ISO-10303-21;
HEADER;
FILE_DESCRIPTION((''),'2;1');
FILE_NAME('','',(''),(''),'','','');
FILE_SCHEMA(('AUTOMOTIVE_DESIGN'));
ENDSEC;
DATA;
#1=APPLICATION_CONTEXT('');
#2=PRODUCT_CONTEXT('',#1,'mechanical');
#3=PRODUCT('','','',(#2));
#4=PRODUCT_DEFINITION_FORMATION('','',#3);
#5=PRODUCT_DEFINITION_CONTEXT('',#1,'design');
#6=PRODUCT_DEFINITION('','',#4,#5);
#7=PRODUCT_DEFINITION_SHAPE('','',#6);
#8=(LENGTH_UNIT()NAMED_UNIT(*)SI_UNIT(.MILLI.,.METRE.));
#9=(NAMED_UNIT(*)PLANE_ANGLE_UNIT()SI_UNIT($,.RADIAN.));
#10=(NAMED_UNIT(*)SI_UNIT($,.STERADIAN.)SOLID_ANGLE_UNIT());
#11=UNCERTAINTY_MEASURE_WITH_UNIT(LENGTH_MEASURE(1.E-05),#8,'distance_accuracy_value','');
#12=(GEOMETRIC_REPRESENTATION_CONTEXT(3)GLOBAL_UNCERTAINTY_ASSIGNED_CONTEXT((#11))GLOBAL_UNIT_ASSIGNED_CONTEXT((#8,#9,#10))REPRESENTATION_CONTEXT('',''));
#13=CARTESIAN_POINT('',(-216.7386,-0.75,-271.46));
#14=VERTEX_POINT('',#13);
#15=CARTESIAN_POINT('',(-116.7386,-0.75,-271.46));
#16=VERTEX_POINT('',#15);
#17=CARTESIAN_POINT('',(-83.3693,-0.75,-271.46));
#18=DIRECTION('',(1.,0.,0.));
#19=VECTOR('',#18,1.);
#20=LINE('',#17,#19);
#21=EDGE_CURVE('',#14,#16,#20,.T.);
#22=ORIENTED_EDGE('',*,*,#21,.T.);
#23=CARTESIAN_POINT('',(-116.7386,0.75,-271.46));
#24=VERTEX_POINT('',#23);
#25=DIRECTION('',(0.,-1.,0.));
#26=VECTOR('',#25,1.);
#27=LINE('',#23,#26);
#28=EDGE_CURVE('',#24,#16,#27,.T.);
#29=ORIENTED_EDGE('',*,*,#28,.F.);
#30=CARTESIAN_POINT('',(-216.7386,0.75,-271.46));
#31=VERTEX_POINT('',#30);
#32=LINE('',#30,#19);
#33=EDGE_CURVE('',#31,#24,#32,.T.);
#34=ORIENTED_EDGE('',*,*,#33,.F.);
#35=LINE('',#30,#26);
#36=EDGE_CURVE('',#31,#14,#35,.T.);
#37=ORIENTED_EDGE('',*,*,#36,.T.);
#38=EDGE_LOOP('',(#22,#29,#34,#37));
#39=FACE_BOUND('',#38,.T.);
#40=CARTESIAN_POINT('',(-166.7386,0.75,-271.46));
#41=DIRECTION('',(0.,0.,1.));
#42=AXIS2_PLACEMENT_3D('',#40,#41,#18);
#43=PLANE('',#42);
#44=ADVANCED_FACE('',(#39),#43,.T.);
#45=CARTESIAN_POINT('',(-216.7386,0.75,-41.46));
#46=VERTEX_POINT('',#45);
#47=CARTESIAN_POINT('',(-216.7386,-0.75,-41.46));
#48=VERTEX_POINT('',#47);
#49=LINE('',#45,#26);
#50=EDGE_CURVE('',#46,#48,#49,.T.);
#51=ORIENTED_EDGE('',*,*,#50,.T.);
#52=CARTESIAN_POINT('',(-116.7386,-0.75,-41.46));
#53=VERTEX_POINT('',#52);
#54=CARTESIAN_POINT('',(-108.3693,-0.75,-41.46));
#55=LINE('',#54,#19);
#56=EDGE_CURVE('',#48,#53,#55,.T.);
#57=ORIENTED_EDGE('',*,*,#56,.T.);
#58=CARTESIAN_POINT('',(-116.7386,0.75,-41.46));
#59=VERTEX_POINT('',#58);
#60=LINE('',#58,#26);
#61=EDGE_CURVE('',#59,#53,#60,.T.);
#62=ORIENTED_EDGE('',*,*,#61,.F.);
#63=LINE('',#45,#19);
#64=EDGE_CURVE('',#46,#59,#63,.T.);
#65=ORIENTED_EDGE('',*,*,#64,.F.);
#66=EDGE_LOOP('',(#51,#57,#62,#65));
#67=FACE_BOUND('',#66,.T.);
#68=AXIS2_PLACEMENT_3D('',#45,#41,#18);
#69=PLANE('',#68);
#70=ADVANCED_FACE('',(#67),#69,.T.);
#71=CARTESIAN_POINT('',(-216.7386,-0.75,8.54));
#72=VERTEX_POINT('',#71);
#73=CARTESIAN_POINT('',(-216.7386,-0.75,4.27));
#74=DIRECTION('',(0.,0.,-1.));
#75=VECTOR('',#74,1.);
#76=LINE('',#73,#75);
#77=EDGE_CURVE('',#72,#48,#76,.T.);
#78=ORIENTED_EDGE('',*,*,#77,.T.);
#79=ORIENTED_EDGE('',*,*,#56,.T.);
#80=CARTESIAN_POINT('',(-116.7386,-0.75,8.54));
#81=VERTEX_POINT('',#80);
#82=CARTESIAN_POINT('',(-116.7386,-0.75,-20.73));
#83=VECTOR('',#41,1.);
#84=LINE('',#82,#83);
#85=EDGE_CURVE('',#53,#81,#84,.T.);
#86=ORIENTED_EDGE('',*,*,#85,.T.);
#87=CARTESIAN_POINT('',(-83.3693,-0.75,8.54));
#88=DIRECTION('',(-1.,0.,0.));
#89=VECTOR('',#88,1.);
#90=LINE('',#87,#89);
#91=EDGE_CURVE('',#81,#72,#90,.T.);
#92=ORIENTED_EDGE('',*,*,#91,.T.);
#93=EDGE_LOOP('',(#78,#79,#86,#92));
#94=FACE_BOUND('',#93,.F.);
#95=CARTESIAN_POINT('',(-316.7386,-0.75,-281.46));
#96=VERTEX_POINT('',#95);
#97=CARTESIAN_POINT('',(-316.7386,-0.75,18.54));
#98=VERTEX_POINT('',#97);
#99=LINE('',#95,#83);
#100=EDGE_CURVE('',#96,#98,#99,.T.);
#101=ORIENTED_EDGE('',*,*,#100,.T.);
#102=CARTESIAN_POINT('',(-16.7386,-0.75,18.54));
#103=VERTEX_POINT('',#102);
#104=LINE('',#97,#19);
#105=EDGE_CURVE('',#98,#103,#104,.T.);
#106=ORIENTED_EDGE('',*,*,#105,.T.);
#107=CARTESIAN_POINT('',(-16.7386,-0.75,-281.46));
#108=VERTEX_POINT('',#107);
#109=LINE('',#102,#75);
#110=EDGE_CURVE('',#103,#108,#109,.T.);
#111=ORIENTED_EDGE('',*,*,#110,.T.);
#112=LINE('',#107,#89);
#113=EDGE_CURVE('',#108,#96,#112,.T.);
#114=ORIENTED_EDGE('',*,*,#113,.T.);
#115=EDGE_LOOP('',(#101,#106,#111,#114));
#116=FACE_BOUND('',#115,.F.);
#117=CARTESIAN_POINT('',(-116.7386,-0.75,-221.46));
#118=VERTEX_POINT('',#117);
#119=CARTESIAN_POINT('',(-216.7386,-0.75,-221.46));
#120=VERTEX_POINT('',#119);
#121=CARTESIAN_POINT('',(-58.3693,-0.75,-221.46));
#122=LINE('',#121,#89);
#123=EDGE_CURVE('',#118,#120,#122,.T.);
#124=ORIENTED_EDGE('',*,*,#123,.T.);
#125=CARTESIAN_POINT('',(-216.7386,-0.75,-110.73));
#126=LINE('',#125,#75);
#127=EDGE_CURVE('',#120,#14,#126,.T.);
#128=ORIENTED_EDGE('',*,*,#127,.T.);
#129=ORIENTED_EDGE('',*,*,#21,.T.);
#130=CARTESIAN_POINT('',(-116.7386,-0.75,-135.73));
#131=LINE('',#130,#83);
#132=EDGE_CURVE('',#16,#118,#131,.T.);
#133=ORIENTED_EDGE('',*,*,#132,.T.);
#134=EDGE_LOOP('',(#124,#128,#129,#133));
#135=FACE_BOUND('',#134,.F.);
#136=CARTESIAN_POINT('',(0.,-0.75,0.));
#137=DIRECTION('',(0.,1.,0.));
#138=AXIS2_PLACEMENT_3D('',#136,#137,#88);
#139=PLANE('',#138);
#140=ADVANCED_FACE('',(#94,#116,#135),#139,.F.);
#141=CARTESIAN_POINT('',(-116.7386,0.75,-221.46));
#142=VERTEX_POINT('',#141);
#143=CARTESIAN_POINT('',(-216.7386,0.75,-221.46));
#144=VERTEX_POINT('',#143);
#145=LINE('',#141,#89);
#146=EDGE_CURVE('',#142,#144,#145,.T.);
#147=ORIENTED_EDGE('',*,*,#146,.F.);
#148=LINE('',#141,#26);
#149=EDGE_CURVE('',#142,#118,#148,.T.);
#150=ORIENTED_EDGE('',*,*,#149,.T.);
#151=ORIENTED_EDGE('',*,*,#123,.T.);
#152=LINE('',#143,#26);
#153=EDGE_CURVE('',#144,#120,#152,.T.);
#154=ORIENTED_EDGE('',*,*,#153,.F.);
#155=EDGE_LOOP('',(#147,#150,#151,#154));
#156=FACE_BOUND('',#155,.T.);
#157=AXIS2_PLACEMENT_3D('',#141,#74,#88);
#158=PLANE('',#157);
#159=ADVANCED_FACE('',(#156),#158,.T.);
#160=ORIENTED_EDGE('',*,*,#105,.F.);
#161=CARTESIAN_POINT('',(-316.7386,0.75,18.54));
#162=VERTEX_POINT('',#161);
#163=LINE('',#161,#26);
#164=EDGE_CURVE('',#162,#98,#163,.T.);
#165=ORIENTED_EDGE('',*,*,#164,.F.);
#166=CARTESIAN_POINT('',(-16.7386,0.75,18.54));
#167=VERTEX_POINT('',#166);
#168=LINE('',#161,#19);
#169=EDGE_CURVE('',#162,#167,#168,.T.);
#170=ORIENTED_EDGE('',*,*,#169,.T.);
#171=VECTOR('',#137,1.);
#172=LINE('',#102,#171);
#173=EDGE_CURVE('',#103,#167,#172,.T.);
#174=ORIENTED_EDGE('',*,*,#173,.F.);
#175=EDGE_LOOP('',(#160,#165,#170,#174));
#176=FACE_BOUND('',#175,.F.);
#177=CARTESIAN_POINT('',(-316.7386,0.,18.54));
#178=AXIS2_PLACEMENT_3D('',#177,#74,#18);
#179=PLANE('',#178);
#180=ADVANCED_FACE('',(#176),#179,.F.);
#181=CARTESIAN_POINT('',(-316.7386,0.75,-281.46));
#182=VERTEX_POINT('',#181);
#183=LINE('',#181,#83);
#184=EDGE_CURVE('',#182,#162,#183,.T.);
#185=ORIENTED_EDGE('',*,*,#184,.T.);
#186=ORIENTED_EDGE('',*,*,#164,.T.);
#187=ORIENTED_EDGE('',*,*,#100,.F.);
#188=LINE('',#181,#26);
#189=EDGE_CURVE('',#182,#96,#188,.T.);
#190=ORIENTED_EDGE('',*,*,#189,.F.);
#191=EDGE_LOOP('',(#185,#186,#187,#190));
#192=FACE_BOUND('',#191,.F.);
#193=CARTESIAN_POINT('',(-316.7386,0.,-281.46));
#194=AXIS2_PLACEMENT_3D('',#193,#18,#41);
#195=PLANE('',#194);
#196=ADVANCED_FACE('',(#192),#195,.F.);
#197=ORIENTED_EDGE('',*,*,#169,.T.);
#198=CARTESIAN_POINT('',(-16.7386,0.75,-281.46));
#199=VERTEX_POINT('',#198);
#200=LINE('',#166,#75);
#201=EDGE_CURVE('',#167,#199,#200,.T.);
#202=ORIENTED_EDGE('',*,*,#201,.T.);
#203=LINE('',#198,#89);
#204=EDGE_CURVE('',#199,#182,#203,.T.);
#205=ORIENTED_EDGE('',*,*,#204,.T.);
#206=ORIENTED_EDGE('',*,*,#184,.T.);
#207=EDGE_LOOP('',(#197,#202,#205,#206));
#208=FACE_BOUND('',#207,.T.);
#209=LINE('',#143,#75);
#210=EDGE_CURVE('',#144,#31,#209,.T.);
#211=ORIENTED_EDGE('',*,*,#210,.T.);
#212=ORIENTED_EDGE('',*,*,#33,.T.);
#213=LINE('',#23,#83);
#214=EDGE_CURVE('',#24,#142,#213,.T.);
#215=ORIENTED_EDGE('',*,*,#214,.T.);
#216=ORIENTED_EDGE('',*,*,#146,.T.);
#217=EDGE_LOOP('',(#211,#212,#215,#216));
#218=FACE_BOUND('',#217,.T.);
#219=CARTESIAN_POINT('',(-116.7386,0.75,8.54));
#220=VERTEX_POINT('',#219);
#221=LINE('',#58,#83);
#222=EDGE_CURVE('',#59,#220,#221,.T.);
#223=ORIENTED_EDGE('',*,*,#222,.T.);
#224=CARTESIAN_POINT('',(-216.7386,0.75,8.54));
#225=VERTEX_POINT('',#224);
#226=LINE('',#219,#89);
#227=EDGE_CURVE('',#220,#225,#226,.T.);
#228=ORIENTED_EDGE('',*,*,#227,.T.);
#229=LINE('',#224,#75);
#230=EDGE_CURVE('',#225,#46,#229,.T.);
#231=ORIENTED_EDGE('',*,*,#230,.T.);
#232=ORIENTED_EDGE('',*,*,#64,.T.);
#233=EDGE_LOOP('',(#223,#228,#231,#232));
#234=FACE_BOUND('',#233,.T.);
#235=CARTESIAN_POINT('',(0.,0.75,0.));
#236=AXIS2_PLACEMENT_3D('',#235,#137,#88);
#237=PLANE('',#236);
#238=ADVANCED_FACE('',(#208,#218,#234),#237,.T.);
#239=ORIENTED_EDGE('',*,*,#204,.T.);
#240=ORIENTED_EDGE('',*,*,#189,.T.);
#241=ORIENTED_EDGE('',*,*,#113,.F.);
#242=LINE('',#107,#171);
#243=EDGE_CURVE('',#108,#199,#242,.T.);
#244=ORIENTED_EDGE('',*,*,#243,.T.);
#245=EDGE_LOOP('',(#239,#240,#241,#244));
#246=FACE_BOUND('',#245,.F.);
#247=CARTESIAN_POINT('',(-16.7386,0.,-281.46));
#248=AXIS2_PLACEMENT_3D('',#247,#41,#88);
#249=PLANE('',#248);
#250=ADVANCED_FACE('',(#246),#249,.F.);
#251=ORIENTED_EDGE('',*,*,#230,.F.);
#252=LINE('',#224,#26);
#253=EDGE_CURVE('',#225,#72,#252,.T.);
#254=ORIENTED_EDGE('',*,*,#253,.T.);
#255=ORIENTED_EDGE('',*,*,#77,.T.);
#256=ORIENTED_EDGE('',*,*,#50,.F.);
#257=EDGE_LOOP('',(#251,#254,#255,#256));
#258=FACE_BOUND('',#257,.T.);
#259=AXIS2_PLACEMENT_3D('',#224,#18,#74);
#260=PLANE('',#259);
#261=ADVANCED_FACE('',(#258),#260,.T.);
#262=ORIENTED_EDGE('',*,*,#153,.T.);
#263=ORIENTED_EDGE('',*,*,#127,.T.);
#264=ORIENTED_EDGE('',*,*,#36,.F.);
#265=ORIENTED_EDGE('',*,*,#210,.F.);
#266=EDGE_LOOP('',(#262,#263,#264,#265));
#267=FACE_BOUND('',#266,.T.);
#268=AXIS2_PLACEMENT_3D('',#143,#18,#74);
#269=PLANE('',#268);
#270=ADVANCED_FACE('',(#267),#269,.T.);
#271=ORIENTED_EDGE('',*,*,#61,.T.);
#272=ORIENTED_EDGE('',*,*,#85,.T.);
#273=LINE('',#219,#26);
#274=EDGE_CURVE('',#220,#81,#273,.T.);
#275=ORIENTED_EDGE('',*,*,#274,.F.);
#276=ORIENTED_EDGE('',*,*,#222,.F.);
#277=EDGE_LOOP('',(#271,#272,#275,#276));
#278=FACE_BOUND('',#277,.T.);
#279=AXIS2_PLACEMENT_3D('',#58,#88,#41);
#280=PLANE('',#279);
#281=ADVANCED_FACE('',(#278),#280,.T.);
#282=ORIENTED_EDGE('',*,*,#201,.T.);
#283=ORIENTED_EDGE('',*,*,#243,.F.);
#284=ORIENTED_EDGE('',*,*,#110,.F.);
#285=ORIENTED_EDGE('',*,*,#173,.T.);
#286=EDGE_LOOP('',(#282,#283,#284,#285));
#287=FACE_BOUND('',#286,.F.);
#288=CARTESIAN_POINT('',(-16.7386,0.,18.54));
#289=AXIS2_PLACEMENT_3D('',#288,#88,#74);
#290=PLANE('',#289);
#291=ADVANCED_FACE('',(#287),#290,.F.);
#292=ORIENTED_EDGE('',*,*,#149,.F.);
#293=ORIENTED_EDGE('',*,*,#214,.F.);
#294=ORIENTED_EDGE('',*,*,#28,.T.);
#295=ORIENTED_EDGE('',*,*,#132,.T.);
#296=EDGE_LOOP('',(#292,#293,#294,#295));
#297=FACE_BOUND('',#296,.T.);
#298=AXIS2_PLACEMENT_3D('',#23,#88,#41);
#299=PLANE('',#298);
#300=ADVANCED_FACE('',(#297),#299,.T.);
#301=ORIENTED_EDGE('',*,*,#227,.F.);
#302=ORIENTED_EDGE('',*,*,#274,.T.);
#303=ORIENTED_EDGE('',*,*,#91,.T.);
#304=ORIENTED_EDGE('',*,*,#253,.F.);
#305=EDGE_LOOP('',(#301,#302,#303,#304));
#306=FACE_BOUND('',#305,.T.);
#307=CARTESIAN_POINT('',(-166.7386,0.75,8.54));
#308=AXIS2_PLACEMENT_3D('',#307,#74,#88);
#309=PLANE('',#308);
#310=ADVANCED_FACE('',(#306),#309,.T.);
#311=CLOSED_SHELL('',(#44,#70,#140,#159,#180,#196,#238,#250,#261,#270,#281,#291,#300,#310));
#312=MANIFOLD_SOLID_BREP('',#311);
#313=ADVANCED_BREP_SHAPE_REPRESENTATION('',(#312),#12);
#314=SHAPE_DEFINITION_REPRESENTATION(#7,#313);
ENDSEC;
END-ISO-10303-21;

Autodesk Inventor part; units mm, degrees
ref_plane "YZ Plane" through (0, 0, 0) normal (1, 0, 0) x (0, 1, 0)
ref_plane "XZ Plane" through (0, 0, 0) normal (0, 1, 0) x (-1, 0, 0)
ref_plane "XY Plane" through (0, 0, 0) normal (0, 0, 1) x (1, 0, 0)
sketch "Boceto1" plane through (0, 0, 0) normal (0, 1, 0) x (-1, 0, 0)
  line L0 (16.7386, 18.54) -> (16.7386, -281.46)
  line L1 (16.7386, -281.46) -> (316.7386, -281.46)
  line L2 (316.7386, -281.46) -> (316.7386, 18.54)
  line L3 (316.7386, 18.54) -> (16.7386, 18.54)
  point P0 (0, 0)
  dimension "d2" = 300
  dimension "d3" = 300
extrude "Extrusión1" add sketch "Boceto1" along normal mid plane 1.5
sketch "Boceto2" plane through (0, 0.75, 0) normal (0, 1, 0) x (1, 0, 0)
  line L0 (-316.7386, -18.54) -> (-16.7386, -18.54) projected
  line L1 (-16.7386, 281.46) -> (-316.7386, 281.46) projected
  line L2 (-316.7386, 281.46) -> (-316.7386, -18.54) projected
  line L3 (-316.7386, 131.46) -> (-16.7386, 131.46)
  line L4 (-16.7386, -18.54) -> (-16.7386, 281.46) projected
  line L5 (-166.7386, -18.54) -> (-166.7386, -8.54)
  line L6 (-166.7386, 281.46) -> (-166.7386, 271.46)
  line L7 (-166.7386, 271.46) -> (-116.7386, 271.46)
  line L8 (-116.7386, 271.46) -> (-116.7386, 221.46)
  line L9 (-116.7386, 221.46) -> (-166.7386, 221.46)
  line L10 (-166.7386, 221.46) -> (-216.7386, 221.46)
  line L11 (-216.7386, 221.46) -> (-216.7386, 271.46)
  line L12 (-216.7386, 271.46) -> (-166.7386, 271.46)
  line L13 (-166.7386, -8.54) -> (-216.7386, -8.54)
  line L14 (-216.7386, -8.54) -> (-216.7386, 41.46)
  line L15 (-216.7386, 41.46) -> (-166.7386, 41.46)
  line L16 (-116.7386, 41.46) -> (-166.7386, 41.46)
  line L17 (-116.7386, -8.54) -> (-166.7386, -8.54)
  line L18 (-116.7386, 41.46) -> (-116.7386, -8.54)
  line L19 (-166.7386, -18.54) -> (-166.7386, -8.54)
  line L20 (-166.7386, 271.46) -> (-166.7386, 281.46)
  point P0 (0, 0)
  dimension "d6" = 10
  dimension "d7" = 10
  dimension "d8" = 50
  dimension "d9" = 50
  dimension "d10" = 50
  dimension "d11" = 50
  dimension "d12" = 50
extrude "Extrusión2" cut sketch "Boceto2" against normal blind 4 contours L13 L14 L15 L16 L18 L17 | L7 L8 L9 L10 L11 L12
properties part number "base 30x30"
